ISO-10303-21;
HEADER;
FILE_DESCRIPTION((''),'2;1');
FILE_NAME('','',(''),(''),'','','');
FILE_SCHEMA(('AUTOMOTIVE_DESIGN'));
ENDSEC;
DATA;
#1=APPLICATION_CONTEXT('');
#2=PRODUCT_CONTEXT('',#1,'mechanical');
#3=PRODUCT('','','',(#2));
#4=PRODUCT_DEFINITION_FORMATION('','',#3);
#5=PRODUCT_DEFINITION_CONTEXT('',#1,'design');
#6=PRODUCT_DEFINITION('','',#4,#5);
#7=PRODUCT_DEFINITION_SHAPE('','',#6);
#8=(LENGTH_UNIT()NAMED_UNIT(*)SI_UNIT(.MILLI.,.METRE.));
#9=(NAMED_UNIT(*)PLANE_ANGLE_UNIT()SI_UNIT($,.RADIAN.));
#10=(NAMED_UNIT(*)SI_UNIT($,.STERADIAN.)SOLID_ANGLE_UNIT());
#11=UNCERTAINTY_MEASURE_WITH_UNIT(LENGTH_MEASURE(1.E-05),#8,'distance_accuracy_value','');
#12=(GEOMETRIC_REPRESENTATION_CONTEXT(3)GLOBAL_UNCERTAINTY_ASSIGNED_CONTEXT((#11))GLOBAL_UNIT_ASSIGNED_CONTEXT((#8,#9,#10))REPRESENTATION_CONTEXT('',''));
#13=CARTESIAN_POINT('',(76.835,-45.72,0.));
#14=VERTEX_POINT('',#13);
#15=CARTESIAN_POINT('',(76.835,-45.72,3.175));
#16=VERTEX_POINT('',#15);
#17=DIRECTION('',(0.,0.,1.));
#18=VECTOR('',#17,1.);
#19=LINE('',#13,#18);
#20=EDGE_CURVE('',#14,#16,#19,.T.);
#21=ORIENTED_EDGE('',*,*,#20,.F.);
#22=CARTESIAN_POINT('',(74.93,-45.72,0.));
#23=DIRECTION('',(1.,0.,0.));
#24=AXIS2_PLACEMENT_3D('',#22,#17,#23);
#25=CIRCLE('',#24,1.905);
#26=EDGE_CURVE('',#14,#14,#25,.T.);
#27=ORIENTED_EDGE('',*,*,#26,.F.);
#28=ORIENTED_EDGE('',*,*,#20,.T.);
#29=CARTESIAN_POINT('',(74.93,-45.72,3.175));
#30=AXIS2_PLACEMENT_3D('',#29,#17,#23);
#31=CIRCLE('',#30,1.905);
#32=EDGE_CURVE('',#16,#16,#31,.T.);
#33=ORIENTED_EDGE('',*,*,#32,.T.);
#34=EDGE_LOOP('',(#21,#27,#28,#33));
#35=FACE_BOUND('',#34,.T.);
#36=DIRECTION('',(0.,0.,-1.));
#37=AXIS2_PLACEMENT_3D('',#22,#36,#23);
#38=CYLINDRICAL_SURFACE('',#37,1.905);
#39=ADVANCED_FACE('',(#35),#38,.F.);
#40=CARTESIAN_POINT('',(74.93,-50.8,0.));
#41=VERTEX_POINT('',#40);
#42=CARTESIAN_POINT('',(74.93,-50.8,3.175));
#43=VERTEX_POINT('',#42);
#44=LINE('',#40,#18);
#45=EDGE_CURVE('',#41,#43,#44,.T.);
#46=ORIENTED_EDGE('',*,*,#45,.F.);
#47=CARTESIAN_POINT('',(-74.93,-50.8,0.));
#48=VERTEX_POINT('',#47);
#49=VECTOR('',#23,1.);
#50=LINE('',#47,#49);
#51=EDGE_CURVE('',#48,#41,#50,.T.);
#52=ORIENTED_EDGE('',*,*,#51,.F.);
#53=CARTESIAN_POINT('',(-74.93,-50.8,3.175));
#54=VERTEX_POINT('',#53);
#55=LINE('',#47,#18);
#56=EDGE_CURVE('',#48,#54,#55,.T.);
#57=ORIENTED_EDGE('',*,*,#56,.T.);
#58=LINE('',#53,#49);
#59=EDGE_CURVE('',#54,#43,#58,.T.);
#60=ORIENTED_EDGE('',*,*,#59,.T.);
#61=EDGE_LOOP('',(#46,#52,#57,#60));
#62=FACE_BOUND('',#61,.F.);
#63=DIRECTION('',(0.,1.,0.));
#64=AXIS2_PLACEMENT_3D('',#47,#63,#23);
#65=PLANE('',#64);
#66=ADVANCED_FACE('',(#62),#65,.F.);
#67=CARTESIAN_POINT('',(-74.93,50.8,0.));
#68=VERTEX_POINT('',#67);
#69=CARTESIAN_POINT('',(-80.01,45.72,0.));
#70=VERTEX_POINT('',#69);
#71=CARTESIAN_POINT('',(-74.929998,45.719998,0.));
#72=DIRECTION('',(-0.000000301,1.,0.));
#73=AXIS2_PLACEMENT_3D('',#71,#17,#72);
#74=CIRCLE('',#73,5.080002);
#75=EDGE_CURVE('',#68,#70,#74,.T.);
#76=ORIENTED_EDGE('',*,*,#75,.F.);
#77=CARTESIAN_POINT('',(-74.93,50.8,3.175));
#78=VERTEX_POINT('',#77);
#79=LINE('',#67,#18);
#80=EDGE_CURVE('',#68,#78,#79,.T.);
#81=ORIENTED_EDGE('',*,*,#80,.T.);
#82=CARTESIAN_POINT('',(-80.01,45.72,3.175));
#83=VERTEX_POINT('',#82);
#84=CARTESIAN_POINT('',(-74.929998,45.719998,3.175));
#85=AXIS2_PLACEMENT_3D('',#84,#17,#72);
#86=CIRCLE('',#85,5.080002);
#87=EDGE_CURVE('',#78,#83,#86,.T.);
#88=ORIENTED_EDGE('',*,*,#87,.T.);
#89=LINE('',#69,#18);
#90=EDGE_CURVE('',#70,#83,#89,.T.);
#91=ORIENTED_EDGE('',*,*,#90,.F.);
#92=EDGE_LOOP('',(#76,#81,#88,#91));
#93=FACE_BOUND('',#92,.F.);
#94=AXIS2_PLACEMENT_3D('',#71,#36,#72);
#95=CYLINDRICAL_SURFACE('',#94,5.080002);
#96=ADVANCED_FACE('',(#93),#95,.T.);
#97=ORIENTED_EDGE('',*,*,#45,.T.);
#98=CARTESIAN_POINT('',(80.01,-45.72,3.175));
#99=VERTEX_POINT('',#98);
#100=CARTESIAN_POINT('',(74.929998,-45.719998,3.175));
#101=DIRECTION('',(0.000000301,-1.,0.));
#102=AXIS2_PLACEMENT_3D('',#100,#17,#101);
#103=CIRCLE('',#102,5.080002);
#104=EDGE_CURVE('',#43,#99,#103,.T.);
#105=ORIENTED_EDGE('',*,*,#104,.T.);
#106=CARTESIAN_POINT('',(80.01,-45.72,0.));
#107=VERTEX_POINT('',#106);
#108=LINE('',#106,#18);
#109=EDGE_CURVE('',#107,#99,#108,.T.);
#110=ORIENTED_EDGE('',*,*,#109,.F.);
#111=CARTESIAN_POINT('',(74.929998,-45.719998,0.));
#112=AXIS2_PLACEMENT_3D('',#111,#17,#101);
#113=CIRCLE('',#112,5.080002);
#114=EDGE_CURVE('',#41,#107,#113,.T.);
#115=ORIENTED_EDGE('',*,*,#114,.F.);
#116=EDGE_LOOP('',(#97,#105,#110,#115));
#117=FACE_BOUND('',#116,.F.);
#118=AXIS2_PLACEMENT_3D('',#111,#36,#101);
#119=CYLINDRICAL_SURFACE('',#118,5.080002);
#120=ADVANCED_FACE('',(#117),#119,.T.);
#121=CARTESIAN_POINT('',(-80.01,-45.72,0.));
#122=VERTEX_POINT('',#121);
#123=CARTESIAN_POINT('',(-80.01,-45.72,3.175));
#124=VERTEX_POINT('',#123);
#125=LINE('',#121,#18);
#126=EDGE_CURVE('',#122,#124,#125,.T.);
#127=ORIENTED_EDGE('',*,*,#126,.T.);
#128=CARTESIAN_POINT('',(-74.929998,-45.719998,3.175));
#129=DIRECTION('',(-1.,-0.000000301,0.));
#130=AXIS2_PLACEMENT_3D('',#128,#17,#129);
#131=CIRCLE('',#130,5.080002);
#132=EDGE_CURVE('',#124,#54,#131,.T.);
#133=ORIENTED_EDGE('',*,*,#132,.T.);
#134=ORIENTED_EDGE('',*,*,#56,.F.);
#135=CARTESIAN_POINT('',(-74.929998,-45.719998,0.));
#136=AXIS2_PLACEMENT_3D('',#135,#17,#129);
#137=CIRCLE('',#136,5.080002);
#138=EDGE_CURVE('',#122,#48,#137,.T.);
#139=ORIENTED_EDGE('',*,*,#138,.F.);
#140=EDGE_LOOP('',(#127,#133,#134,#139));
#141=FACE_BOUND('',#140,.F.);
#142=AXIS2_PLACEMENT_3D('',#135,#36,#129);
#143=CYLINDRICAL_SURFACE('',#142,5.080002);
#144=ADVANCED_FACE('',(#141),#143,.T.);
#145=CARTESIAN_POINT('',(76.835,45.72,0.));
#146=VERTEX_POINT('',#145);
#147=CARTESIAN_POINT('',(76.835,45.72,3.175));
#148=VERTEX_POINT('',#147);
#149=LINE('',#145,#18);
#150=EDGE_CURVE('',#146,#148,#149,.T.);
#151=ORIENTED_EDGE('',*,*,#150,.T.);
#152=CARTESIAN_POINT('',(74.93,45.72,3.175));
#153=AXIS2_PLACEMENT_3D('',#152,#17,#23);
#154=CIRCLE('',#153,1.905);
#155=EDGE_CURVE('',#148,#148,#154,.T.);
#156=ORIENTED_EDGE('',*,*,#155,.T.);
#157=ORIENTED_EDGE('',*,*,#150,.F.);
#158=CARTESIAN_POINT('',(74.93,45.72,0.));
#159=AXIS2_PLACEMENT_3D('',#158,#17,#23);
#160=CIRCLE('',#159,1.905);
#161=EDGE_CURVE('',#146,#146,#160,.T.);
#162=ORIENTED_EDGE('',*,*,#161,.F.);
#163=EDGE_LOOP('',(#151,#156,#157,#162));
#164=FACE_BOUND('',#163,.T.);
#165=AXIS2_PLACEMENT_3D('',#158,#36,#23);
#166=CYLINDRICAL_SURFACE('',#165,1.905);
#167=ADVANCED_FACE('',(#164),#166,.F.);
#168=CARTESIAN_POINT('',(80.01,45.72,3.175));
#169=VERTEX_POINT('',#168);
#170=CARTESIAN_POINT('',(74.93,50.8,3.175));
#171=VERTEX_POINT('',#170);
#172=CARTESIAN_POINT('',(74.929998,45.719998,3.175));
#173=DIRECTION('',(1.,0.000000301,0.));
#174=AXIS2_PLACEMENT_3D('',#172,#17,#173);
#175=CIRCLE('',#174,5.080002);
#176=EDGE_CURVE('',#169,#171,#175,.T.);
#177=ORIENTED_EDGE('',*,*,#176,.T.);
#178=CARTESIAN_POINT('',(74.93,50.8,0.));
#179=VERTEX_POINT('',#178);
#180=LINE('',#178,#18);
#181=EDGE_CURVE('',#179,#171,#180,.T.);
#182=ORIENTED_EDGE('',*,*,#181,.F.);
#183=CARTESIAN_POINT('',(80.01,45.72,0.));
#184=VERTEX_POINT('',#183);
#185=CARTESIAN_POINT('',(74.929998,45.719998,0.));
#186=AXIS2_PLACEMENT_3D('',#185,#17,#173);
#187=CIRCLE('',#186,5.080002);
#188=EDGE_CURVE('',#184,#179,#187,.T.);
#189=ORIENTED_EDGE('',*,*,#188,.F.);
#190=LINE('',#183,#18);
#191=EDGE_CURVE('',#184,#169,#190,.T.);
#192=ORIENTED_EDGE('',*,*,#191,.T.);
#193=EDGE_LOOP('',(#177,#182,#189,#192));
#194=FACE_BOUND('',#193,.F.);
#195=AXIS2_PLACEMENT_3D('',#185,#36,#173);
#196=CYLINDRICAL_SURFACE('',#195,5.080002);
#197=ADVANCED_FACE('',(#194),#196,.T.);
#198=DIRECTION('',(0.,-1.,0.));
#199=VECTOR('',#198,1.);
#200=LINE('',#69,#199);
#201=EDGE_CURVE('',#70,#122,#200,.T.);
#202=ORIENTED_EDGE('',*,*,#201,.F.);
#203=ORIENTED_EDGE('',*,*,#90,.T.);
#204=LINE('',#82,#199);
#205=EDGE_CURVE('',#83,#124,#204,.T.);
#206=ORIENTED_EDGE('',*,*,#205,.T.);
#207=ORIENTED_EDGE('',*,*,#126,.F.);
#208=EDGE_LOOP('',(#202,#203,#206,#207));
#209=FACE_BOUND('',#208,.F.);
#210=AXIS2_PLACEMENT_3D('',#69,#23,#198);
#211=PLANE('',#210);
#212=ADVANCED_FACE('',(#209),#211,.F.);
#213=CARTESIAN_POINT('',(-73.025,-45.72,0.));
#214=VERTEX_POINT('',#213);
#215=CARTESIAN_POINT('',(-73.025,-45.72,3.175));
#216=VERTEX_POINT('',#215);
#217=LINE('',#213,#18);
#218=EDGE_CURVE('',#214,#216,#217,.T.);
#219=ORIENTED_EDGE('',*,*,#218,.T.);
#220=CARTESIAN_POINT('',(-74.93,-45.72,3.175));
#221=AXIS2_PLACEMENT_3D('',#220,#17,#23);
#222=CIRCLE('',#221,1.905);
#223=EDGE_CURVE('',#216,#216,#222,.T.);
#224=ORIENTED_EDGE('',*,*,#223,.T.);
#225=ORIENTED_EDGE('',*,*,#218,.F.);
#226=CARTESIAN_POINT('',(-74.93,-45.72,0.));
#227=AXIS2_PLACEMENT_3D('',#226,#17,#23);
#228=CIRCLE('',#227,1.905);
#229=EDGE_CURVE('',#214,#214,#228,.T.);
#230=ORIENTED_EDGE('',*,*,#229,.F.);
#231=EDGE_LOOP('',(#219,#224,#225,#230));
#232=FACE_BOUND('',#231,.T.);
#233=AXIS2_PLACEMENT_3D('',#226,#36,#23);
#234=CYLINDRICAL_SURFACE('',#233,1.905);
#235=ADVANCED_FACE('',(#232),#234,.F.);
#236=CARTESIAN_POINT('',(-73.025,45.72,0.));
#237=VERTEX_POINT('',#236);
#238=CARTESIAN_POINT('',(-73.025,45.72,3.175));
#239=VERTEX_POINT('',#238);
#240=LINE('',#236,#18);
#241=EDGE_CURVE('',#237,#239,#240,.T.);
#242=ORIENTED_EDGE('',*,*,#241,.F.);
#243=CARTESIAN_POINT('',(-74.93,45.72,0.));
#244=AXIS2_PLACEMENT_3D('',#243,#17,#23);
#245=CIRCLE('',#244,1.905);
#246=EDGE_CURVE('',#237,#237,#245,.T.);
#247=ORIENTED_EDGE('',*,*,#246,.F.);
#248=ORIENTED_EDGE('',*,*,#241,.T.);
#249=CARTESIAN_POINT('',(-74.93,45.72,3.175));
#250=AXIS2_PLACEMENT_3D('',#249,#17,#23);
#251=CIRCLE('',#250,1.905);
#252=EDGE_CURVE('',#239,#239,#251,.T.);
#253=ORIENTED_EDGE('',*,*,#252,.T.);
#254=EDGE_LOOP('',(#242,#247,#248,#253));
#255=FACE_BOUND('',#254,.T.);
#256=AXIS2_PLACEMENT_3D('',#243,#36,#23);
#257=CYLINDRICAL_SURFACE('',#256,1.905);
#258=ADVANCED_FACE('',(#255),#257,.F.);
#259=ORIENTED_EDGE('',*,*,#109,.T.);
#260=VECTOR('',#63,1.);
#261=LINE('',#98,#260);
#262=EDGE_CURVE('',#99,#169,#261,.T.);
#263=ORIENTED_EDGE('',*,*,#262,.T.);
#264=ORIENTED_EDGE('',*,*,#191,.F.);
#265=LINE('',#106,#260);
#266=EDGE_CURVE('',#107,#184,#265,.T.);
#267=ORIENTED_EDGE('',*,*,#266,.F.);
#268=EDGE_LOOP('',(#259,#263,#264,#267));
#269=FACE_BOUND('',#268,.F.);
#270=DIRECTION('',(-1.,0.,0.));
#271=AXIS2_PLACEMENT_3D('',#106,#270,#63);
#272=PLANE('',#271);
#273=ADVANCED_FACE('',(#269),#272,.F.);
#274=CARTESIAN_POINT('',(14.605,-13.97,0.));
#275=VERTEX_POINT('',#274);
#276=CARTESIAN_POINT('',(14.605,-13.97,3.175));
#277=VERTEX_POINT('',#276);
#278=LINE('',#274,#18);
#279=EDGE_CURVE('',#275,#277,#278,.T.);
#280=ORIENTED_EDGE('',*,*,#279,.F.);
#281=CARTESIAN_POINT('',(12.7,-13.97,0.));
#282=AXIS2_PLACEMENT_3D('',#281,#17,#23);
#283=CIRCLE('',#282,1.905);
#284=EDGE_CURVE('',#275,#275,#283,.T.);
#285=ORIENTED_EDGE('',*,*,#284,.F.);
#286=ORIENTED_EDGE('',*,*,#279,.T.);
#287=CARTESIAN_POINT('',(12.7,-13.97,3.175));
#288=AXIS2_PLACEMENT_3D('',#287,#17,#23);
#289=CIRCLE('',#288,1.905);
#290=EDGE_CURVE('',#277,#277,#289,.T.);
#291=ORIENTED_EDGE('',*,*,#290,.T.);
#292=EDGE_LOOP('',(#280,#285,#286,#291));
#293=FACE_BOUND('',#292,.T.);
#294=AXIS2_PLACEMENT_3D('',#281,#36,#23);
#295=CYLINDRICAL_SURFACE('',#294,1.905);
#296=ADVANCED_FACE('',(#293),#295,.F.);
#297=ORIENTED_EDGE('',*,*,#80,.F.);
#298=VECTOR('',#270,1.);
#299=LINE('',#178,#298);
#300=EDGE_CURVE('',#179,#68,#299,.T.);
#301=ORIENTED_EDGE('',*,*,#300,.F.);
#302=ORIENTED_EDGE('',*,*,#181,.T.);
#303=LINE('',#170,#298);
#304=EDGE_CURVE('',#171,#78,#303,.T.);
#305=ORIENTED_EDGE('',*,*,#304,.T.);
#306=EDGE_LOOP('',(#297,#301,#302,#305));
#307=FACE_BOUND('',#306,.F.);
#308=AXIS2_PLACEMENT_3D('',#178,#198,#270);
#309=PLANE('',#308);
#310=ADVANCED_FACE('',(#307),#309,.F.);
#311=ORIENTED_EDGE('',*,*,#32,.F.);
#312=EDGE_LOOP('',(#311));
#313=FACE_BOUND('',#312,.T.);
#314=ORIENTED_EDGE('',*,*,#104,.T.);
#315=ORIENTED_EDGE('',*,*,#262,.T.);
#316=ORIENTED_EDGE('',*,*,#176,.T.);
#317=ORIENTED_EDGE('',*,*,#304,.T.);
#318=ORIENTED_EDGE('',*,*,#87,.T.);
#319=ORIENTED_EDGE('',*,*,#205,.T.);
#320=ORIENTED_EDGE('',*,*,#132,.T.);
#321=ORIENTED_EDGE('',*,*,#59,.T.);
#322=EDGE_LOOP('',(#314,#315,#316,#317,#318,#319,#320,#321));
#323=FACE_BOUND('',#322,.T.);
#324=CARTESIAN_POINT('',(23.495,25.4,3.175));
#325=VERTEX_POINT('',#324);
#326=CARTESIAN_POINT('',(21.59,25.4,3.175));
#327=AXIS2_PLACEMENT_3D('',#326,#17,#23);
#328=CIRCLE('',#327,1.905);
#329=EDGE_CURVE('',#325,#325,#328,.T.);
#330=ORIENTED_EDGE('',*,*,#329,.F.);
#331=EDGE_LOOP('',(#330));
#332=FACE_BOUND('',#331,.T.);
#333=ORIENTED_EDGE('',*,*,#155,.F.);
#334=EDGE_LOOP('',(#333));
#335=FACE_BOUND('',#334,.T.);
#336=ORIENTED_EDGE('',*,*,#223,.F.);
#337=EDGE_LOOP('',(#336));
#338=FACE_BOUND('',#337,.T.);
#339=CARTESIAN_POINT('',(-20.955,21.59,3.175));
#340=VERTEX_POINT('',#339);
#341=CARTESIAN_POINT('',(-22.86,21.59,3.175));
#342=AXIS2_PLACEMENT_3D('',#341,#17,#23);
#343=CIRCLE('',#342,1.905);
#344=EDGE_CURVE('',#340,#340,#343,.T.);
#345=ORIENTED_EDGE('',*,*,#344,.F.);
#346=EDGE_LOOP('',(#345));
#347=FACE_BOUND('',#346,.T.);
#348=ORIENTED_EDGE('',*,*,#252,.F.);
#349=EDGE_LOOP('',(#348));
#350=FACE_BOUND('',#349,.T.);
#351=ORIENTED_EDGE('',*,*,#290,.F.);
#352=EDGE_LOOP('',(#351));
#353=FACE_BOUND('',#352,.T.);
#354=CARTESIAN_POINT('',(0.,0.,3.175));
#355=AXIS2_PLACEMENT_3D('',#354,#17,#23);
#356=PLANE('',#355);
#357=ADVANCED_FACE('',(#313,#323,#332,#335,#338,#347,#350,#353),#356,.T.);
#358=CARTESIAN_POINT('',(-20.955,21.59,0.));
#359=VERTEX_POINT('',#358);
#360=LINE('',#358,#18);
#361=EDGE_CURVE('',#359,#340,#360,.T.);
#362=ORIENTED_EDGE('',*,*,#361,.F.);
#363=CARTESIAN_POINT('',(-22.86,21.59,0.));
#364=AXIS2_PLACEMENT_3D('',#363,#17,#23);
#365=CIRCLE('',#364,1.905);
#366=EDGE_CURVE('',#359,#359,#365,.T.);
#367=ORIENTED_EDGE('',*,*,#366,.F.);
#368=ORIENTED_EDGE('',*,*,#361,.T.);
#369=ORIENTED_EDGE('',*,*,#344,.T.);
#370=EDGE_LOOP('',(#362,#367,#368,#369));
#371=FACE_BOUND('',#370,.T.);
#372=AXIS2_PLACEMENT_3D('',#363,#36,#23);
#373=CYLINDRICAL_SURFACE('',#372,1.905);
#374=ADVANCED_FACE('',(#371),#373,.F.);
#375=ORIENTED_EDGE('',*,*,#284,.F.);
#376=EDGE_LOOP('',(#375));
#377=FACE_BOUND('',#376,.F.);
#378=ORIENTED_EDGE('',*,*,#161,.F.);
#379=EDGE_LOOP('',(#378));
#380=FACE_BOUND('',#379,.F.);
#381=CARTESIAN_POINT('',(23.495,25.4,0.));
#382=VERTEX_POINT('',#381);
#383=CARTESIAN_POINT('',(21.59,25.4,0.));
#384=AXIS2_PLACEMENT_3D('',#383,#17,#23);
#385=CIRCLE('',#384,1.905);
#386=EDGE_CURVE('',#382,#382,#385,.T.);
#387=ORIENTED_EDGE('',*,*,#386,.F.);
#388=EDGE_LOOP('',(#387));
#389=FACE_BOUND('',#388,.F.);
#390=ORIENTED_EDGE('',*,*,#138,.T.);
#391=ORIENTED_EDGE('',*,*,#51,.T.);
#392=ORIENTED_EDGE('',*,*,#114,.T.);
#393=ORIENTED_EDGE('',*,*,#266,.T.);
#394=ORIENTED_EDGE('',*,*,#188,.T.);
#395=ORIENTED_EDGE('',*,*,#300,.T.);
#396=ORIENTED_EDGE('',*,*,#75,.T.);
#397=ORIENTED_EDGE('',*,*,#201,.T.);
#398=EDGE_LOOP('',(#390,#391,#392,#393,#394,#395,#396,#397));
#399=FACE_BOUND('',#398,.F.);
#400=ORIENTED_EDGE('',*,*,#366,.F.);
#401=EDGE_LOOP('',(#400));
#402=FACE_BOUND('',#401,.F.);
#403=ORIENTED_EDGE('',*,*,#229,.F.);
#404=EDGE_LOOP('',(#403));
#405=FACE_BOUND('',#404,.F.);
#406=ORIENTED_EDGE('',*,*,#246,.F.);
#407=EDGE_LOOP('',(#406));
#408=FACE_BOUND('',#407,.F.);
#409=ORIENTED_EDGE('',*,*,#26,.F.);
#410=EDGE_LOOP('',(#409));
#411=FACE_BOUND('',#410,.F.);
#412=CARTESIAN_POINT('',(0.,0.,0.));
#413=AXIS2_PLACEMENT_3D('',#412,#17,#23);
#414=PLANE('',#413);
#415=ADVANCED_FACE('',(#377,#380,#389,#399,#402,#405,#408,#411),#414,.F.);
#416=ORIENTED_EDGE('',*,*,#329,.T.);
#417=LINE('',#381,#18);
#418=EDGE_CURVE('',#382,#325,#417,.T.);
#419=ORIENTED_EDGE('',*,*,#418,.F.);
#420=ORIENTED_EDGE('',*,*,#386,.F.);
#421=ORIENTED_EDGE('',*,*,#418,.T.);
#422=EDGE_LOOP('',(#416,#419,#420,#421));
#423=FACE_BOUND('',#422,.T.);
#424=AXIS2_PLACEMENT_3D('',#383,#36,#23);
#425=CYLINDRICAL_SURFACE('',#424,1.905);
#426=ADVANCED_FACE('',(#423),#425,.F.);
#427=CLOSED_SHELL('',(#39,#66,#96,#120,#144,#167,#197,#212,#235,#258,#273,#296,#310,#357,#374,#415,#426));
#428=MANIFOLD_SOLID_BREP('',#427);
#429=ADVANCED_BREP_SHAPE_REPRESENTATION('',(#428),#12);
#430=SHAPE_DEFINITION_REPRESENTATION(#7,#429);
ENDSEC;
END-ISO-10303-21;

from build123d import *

# Parameters (mm, degrees)
F0_R     = 1.905
F1_DEPTH = 3.175


with BuildPart() as f1:
    # F0 (on Top) → F1 (new body)
    with BuildSketch(Plane.XY):
        with BuildLine():
            Line((74.93, 50.8), (-74.93, 50.8))
            ThreePointArc((-74.93, 50.8), (-78.522102, 49.312102), (-80.01, 45.72))
            Line((-80.01, 45.72), (-80.01, -45.72))
            ThreePointArc((-80.01, -45.72), (-78.522102, -49.312102), (-74.93, -50.8))
            Line((-74.93, -50.8), (74.93, -50.8))
            ThreePointArc((74.93, -50.8), (78.522102, -49.312102), (80.01, -45.72))
            Line((80.01, -45.72), (80.01, 45.72))
            ThreePointArc((80.01, 45.72), (78.522102, 49.312102), (74.93, 50.8))
        make_face()
        with Locations((-74.93, -45.72)):
            Circle(F0_R, mode=Mode.SUBTRACT)
        with Locations((74.93, -45.72)):
            Circle(F0_R, mode=Mode.SUBTRACT)
        with Locations((12.7, -13.97)):
            Circle(F0_R, mode=Mode.SUBTRACT)
        with Locations((-22.86, 21.59)):
            Circle(F0_R, mode=Mode.SUBTRACT)
        with Locations((-74.93, 45.72)):
            Circle(F0_R, mode=Mode.SUBTRACT)
        with Locations((21.59, 25.4)):
            Circle(F0_R, mode=Mode.SUBTRACT)
        with Locations((74.93, 45.72)):
            Circle(F0_R, mode=Mode.SUBTRACT)
    extrude(amount=F1_DEPTH)


solid = f1.part
